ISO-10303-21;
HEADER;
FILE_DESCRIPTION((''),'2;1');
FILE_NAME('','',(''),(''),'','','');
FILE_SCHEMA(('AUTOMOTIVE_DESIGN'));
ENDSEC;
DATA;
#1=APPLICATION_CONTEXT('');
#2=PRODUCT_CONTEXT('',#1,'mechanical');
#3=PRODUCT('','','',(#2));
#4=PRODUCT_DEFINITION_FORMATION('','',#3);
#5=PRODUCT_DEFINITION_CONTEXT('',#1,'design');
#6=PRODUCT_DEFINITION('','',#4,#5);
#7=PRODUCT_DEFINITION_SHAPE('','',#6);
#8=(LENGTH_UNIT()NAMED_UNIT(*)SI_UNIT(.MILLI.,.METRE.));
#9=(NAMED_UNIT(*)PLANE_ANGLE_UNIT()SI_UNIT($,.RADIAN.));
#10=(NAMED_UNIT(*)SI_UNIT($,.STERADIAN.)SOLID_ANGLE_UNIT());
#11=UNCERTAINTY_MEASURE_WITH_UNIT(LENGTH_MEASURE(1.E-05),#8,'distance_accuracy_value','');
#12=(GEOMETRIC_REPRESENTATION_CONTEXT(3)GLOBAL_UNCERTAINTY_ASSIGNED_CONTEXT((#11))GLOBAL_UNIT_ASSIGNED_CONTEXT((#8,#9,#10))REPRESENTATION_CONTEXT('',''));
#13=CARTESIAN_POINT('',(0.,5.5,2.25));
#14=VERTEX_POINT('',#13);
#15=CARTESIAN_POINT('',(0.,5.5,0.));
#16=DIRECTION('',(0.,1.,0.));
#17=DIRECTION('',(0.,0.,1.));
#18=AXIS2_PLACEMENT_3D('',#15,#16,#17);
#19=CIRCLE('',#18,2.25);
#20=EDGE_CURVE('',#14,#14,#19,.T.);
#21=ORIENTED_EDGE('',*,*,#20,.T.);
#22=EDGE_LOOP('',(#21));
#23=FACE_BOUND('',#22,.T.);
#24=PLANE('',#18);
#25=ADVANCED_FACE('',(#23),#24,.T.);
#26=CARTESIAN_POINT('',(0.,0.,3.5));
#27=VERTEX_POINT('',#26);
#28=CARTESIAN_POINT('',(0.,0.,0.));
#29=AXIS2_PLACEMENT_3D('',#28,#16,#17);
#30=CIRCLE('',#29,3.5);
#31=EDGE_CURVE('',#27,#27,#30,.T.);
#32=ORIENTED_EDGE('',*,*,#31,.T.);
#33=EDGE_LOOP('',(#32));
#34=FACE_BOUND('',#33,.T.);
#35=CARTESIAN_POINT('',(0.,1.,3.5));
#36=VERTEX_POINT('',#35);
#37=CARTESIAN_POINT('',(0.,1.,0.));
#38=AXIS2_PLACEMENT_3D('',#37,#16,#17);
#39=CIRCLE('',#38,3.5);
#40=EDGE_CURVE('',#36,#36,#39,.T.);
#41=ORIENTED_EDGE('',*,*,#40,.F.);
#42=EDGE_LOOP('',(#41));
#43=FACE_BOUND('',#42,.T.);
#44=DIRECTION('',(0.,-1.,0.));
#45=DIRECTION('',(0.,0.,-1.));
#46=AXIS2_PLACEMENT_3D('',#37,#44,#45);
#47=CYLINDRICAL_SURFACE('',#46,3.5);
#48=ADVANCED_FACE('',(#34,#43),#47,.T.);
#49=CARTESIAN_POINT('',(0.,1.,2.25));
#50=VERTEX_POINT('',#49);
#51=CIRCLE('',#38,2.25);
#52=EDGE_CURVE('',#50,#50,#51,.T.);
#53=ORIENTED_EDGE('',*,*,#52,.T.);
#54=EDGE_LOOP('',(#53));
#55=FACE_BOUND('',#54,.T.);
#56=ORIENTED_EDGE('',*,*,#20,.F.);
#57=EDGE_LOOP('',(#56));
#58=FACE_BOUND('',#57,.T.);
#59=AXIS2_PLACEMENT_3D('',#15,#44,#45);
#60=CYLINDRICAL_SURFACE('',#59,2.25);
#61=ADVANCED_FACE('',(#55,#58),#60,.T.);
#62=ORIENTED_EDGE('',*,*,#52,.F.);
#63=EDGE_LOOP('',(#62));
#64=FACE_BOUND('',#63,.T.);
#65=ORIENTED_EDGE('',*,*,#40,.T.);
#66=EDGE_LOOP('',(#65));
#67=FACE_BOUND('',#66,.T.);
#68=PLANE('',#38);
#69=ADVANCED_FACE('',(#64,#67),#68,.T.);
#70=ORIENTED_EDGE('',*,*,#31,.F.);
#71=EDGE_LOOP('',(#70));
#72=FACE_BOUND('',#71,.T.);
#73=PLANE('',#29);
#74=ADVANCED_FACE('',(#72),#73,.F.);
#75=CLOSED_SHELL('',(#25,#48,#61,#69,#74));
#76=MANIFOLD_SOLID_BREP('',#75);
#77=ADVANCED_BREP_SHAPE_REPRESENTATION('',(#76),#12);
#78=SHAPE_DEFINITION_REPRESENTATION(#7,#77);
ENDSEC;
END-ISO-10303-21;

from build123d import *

# Parameters (mm, degrees)
SKETCH_1_R      = 3.5
EXTRUDE_1_DEPTH = 1
SKETCH_2_R      = 2.25
EXTRUDE_2_DEPTH = 4.5


with BuildPart() as part:
    # Эскиз1 → Бобышка-Вытянуть1 (new body)
    with BuildSketch(Plane(origin=(0, 0, 0), x_dir=(1, 0, 0), z_dir=(0, 1, 0))):
        Circle(SKETCH_1_R)
    extrude(amount=EXTRUDE_1_DEPTH)

    # Эскиз2 → Бобышка-Вытянуть2 (add)
    with BuildSketch(Plane(origin=(0, 1, 0), x_dir=(1, 0, 0), z_dir=(0, 1, 0))):
        Circle(SKETCH_2_R)
    extrude(amount=EXTRUDE_2_DEPTH)


solid = part.part
